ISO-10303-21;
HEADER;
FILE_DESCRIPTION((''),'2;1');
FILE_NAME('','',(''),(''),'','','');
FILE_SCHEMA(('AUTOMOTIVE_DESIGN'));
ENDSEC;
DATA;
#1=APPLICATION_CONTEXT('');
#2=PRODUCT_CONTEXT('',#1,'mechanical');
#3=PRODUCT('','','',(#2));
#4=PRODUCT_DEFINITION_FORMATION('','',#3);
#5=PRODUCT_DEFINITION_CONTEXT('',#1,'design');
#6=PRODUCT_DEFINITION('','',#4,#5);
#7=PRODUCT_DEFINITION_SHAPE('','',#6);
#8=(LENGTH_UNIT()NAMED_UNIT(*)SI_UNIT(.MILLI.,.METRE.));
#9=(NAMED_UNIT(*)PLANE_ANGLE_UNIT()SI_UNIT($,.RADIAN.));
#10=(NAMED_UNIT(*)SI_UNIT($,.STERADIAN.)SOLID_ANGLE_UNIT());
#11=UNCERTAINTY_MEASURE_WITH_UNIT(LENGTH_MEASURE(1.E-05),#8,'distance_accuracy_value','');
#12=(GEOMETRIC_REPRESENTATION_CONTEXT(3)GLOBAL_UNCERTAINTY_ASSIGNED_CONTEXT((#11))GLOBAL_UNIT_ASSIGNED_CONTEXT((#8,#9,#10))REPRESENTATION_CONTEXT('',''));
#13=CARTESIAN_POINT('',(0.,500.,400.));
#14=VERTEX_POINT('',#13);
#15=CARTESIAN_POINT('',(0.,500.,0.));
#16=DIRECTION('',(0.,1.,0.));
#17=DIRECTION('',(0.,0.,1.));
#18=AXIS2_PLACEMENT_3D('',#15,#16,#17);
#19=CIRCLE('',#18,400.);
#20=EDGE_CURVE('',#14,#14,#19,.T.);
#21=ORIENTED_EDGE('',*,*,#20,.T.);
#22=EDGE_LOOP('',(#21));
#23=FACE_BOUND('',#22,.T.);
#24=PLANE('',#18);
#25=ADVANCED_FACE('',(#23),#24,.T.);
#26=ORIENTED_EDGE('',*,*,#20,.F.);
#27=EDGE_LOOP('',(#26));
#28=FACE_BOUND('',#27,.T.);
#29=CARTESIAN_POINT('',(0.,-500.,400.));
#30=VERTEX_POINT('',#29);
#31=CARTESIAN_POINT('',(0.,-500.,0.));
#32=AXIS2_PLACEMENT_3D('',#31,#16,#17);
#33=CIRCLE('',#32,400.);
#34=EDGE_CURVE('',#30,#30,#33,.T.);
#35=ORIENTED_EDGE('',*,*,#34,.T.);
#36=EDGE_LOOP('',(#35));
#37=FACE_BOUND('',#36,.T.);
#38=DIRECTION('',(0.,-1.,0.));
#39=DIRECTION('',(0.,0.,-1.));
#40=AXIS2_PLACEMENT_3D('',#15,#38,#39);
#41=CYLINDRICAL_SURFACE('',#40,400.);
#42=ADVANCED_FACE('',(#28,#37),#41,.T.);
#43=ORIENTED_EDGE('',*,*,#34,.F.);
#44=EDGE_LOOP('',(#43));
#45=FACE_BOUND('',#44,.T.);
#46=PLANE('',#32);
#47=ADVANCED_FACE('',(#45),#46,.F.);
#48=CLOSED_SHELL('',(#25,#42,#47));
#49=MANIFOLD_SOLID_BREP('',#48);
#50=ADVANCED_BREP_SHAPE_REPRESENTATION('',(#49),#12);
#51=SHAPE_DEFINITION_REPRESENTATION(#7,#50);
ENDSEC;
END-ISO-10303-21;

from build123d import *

# Parameters (mm, degrees)
SKETCH1_R           = 400
BOSS_EXTRUDE2_DEPTH = 500


with BuildPart() as part:
    # Sketch1 → Boss-Extrude2 (new, symmetric)
    with BuildSketch(Plane(origin=(0, 0, 0), x_dir=(1, 0, 0), z_dir=(0, 1, 0))):
        with Locations(Location((0, 0, 0), (0, 0, 270))):
            Circle(SKETCH1_R)
    extrude(amount=BOSS_EXTRUDE2_DEPTH, both=True)


solid = part.part
